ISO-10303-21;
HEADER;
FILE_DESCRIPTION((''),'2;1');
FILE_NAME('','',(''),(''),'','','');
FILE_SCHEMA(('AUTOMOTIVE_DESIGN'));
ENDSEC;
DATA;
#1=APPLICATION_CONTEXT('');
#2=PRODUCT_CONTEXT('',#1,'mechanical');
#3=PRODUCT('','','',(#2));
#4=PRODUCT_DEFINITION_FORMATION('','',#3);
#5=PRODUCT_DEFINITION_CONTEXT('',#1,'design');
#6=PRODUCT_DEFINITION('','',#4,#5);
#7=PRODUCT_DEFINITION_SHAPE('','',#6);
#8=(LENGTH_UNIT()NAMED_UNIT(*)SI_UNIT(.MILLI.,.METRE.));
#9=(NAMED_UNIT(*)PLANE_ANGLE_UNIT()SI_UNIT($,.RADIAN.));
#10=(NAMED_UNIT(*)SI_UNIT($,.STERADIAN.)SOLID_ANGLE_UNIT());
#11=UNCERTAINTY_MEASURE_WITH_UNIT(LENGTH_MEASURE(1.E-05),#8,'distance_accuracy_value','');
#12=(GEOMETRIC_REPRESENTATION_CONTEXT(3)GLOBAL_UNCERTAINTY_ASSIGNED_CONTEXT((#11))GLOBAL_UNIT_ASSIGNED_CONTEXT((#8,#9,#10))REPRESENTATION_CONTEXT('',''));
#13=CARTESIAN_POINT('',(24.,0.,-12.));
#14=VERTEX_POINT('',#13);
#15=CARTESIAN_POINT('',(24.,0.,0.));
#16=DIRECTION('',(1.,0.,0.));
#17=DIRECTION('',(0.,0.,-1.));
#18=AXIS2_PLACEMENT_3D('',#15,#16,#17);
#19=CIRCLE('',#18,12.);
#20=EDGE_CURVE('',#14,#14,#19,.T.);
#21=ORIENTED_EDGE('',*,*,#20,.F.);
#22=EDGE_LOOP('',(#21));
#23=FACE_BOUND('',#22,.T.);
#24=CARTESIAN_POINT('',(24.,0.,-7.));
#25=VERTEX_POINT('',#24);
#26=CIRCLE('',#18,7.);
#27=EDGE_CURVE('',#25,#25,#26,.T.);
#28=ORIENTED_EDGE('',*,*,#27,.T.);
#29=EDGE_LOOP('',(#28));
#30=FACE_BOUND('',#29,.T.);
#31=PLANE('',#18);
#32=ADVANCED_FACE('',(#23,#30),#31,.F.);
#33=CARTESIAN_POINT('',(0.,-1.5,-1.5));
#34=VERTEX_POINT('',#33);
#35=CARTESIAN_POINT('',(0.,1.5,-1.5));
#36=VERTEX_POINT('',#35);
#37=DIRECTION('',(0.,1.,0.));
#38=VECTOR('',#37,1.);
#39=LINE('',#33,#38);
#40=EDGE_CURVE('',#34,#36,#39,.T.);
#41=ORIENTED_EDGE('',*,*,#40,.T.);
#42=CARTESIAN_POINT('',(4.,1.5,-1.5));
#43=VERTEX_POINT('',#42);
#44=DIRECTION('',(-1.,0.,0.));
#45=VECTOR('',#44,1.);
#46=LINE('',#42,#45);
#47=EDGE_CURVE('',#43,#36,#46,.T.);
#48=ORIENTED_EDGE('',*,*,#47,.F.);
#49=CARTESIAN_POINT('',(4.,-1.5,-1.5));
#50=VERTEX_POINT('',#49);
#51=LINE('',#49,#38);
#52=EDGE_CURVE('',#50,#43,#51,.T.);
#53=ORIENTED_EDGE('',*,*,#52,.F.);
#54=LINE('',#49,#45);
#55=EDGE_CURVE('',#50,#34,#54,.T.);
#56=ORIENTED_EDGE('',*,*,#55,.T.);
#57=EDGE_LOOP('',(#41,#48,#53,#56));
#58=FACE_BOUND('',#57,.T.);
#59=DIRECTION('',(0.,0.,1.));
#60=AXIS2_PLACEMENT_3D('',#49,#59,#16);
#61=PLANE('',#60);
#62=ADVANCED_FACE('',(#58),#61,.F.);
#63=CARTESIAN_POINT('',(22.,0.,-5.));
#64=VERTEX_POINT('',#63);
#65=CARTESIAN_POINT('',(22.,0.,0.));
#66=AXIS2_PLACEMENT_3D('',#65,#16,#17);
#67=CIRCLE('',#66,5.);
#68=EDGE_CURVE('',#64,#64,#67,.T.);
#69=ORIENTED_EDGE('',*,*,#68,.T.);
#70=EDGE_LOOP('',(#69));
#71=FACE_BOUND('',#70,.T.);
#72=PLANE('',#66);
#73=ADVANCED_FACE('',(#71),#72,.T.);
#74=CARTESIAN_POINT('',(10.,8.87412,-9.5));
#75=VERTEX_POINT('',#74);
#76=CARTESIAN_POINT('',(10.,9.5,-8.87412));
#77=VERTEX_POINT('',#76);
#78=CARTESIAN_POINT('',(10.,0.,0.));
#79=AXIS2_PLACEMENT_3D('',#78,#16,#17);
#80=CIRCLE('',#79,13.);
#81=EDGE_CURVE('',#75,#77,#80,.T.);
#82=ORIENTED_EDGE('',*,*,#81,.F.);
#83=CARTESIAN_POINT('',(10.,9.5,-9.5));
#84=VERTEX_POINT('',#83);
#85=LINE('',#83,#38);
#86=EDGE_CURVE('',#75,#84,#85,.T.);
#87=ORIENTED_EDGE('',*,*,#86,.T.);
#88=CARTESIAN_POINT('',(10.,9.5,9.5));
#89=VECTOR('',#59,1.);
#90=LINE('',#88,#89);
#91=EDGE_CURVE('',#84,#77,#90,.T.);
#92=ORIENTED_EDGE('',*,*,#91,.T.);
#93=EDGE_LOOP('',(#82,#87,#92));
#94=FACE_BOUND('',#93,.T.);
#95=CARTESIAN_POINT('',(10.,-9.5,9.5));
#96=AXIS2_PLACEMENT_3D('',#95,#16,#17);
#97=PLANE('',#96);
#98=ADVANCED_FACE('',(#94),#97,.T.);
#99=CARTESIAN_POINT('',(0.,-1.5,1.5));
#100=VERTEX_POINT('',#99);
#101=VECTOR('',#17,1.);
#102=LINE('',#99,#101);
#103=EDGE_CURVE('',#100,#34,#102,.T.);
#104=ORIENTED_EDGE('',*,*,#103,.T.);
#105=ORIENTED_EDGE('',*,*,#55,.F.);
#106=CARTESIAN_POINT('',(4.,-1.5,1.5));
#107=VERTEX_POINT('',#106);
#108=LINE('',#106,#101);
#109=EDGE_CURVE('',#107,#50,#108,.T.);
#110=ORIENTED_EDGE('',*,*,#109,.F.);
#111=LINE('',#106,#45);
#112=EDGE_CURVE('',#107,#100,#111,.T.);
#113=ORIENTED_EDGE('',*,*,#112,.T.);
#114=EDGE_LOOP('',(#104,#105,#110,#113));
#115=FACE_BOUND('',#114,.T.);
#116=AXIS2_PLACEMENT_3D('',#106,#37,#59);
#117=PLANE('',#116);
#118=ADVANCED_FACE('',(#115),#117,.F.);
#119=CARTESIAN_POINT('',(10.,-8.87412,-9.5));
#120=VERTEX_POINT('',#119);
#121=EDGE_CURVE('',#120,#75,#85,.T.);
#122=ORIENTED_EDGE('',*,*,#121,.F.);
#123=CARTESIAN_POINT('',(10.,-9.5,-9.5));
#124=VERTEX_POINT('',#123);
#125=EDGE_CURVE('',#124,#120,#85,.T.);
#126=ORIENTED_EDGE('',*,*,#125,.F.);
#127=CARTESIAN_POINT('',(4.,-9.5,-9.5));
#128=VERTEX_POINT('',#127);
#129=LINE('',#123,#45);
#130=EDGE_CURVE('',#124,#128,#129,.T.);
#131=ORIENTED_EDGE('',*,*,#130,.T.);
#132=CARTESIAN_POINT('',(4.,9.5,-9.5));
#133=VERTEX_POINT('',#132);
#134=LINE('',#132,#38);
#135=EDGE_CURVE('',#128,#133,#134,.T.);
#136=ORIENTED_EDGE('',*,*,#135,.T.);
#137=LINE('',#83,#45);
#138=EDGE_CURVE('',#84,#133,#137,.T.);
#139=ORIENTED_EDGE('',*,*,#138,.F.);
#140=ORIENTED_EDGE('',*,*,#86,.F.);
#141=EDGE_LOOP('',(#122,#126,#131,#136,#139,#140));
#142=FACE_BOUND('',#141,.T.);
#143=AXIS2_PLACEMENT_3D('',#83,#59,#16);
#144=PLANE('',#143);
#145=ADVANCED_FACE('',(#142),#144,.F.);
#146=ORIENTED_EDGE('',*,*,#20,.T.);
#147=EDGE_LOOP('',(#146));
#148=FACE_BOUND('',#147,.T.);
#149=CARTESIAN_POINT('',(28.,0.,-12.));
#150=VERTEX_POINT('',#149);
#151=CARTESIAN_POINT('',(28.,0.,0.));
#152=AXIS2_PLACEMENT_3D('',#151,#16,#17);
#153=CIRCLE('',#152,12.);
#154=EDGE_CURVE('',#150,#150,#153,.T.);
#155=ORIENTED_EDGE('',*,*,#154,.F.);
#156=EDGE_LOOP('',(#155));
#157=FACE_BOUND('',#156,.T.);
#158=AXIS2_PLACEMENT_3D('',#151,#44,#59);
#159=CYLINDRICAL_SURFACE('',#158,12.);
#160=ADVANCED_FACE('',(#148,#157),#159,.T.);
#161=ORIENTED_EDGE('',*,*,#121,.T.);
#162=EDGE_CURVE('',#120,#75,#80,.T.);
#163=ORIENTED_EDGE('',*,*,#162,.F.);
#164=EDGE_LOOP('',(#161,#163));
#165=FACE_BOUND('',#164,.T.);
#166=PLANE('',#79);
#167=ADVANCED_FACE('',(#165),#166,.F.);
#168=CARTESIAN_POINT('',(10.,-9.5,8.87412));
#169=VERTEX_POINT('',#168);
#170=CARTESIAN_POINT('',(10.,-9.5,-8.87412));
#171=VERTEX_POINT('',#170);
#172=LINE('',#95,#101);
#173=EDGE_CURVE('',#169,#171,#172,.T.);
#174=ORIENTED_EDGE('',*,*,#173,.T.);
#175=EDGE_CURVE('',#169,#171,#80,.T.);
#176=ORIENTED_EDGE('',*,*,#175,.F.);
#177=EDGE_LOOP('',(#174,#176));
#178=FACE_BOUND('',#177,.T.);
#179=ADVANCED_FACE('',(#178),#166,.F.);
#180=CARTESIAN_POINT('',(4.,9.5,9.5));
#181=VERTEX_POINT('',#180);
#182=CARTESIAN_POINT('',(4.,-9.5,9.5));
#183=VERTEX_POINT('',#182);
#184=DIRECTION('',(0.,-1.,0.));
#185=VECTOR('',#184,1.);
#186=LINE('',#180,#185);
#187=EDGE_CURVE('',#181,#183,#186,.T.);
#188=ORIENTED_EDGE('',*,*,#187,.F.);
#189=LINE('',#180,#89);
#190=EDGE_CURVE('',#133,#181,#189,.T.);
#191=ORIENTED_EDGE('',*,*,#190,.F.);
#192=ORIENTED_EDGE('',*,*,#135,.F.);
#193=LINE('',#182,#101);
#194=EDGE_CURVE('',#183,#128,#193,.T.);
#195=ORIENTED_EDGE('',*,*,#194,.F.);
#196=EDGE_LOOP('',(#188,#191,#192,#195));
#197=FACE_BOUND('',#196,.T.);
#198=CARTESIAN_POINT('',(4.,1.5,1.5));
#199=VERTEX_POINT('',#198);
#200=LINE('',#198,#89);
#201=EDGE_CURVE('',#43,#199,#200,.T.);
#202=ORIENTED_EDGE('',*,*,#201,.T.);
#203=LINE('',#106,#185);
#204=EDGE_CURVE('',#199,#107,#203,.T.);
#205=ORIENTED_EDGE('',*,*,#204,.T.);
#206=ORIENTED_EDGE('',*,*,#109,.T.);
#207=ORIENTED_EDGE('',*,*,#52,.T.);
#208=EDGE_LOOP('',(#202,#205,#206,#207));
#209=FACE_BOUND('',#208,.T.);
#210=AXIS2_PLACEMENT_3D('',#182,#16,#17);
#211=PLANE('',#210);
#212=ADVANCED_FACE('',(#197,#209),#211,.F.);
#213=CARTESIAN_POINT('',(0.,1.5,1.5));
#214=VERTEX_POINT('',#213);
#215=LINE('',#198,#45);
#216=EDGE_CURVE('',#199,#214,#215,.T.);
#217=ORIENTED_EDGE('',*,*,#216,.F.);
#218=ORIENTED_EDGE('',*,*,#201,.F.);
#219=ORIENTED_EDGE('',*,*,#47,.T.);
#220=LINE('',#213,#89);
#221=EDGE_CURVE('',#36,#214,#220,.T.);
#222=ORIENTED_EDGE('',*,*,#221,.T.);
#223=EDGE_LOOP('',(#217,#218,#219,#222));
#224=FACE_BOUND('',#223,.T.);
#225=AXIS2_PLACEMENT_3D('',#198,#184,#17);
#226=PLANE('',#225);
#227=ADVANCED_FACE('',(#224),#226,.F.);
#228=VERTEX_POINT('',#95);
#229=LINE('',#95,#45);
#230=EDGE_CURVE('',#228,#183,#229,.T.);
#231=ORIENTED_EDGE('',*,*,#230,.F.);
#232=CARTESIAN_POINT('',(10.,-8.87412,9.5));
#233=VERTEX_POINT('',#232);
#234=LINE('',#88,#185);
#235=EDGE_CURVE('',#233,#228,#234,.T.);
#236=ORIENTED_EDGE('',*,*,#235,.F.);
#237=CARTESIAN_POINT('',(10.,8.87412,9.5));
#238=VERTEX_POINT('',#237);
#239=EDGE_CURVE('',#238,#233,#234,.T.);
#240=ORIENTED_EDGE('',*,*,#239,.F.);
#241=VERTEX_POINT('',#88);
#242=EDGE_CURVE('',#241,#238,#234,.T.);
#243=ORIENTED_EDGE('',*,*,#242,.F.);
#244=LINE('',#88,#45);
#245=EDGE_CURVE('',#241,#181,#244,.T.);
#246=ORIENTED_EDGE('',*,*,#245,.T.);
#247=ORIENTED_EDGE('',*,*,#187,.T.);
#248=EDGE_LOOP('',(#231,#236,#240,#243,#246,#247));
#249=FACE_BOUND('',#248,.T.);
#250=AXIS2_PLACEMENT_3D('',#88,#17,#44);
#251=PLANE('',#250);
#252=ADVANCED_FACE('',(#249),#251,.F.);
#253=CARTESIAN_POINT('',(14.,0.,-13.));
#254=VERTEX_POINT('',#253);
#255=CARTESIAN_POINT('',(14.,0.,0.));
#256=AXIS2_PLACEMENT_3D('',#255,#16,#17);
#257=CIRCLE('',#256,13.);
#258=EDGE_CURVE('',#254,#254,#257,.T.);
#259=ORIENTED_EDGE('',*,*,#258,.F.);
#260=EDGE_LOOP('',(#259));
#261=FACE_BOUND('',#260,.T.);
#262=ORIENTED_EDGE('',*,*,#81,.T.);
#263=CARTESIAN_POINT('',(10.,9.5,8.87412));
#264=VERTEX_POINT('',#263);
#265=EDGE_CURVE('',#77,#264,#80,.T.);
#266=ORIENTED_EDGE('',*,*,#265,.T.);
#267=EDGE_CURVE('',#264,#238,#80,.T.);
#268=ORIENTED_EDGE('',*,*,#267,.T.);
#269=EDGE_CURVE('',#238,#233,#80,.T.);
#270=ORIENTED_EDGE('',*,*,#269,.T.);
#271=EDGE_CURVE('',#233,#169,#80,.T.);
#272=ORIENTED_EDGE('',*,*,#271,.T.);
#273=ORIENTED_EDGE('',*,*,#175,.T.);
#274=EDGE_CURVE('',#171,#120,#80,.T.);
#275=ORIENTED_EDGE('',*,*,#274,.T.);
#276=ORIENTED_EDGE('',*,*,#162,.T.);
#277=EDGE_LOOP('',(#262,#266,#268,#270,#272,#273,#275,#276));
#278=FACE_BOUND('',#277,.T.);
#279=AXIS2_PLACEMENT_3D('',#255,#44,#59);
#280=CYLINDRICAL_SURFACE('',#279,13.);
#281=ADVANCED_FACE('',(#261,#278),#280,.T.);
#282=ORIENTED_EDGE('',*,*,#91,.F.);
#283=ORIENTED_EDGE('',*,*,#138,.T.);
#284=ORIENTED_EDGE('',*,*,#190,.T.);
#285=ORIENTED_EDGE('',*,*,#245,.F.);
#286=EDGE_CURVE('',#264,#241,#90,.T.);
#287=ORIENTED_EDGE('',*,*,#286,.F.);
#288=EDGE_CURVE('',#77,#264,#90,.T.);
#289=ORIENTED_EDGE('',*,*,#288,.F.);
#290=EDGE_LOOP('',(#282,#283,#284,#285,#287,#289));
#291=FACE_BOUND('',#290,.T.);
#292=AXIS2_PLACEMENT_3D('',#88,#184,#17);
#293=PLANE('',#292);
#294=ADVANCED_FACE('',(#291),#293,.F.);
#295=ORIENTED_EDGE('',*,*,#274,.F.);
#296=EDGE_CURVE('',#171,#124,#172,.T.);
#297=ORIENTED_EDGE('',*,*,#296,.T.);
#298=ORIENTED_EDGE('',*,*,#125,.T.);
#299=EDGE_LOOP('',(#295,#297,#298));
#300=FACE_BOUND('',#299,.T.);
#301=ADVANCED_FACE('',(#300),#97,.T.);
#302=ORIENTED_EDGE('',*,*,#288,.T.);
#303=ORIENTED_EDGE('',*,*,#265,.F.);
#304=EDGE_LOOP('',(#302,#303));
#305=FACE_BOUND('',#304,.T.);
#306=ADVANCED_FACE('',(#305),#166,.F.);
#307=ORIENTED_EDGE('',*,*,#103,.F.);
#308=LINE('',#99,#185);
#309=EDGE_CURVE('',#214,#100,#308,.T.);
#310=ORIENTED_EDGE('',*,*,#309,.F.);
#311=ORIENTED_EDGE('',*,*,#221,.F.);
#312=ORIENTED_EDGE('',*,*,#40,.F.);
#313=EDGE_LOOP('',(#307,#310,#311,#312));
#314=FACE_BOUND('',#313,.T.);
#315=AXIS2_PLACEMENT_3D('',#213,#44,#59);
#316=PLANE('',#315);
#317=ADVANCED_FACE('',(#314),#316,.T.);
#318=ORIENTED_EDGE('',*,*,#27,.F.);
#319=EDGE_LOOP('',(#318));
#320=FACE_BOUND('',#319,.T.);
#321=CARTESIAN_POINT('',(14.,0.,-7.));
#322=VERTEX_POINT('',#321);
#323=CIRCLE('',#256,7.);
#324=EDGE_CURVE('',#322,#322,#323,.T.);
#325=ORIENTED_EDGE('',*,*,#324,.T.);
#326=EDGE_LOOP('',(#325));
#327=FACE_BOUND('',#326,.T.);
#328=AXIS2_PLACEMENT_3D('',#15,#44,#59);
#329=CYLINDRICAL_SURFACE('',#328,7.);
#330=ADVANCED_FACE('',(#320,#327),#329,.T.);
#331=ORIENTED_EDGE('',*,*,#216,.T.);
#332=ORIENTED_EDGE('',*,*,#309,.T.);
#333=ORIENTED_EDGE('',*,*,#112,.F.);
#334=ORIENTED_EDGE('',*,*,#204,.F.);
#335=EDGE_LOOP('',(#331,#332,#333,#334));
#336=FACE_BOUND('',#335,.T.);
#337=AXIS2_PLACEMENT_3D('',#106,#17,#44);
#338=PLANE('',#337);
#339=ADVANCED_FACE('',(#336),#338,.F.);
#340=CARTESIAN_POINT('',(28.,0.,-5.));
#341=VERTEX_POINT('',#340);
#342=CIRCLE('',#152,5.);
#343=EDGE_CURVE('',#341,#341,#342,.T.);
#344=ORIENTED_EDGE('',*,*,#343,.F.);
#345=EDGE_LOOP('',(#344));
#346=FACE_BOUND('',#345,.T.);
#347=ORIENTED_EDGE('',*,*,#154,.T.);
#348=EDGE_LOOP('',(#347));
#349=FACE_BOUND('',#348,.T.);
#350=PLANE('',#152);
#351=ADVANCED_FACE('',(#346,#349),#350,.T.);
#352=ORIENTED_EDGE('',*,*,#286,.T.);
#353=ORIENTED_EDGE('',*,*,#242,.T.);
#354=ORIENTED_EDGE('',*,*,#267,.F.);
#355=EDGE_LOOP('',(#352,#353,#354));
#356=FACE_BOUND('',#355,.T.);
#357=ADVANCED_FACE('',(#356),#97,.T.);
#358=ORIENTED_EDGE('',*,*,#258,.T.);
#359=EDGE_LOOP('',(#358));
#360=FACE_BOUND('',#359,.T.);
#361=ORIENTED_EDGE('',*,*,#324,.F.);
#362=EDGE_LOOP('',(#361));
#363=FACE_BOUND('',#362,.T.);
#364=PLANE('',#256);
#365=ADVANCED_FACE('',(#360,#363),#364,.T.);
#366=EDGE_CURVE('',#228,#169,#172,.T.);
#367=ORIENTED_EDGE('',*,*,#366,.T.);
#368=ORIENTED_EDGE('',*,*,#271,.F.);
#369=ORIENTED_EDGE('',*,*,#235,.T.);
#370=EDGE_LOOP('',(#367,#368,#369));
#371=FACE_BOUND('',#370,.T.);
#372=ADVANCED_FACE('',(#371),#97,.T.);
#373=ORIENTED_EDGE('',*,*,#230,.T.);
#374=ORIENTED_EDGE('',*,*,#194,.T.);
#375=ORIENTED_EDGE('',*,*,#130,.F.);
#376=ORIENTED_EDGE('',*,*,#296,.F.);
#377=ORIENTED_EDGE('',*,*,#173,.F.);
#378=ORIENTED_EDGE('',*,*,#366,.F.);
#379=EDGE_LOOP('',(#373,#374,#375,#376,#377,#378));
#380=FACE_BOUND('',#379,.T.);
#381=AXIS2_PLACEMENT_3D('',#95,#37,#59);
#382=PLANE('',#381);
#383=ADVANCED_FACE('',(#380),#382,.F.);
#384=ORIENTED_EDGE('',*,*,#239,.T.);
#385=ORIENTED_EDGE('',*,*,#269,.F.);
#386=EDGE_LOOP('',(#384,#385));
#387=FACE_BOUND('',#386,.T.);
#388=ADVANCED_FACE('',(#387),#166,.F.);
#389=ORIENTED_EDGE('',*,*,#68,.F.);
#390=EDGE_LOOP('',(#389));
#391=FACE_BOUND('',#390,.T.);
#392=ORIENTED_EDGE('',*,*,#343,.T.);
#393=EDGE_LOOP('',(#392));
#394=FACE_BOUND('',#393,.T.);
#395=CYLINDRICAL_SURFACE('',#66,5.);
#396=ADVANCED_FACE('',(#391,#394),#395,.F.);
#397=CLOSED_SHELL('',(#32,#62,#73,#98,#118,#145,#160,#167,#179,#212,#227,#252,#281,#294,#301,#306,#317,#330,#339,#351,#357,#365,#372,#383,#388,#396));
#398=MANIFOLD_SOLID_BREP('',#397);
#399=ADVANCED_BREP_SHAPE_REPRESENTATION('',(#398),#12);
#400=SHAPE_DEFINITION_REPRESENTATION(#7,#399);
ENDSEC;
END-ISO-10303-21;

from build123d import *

# Parameters (mm, degrees)
SKETCH1_W           = 3
SKETCH1_H           = 3
BOSS_EXTRUDE1_DEPTH = 4
SKETCH2_W           = 19
SKETCH2_H           = 19
BOSS_EXTRUDE2_DEPTH = 6
SKETCH3_R           = 13
BOSS_EXTRUDE3_DEPTH = 4
SKETCH4_R           = 7
BOSS_EXTRUDE4_DEPTH = 10
SKETCH5_R           = 12
BOSS_EXTRUDE5_DEPTH = 4
SKETCH6_R           = 5
CUT_EXTRUDE1_DEPTH  = 6


with BuildPart() as part:
    # Sketch1 → Boss-Extrude1 (new body)
    with BuildSketch(Plane(origin=(0, 0, 0), x_dir=(0, 0, -1), z_dir=(1, 0, 0))):
        Rectangle(SKETCH1_W, SKETCH1_H)
    extrude(amount=BOSS_EXTRUDE1_DEPTH)

    # Sketch2 → Boss-Extrude2 (add)
    with BuildSketch(Plane(origin=(4, 0, 0), x_dir=(0, 0, -1), z_dir=(1, 0, 0))):
        Rectangle(SKETCH2_W, SKETCH2_H)
    extrude(amount=BOSS_EXTRUDE2_DEPTH)

    # Sketch3 → Boss-Extrude3 (add)
    with BuildSketch(Plane(origin=(10, 0, 0), x_dir=(0, 0, -1), z_dir=(1, 0, 0))):
        Circle(SKETCH3_R)
    extrude(amount=BOSS_EXTRUDE3_DEPTH)

    # Sketch4 → Boss-Extrude4 (add)
    with BuildSketch(Plane(origin=(14, 0, 0), x_dir=(0, 0, -1), z_dir=(1, 0, 0))):
        Circle(SKETCH4_R)
    extrude(amount=BOSS_EXTRUDE4_DEPTH)

    # Sketch5 → Boss-Extrude5 (add)
    with BuildSketch(Plane(origin=(24, 0, 0), x_dir=(0, 0, -1), z_dir=(1, 0, 0))):
        Circle(SKETCH5_R)
    extrude(amount=BOSS_EXTRUDE5_DEPTH)

    # Sketch6 → Cut-Extrude1 (cut)
    with BuildSketch(Plane(origin=(28, 0, 0), x_dir=(0, 0, -1), z_dir=(1, 0, 0))):
        Circle(SKETCH6_R)
    extrude(amount=-CUT_EXTRUDE1_DEPTH, mode=Mode.SUBTRACT)


solid = part.part
